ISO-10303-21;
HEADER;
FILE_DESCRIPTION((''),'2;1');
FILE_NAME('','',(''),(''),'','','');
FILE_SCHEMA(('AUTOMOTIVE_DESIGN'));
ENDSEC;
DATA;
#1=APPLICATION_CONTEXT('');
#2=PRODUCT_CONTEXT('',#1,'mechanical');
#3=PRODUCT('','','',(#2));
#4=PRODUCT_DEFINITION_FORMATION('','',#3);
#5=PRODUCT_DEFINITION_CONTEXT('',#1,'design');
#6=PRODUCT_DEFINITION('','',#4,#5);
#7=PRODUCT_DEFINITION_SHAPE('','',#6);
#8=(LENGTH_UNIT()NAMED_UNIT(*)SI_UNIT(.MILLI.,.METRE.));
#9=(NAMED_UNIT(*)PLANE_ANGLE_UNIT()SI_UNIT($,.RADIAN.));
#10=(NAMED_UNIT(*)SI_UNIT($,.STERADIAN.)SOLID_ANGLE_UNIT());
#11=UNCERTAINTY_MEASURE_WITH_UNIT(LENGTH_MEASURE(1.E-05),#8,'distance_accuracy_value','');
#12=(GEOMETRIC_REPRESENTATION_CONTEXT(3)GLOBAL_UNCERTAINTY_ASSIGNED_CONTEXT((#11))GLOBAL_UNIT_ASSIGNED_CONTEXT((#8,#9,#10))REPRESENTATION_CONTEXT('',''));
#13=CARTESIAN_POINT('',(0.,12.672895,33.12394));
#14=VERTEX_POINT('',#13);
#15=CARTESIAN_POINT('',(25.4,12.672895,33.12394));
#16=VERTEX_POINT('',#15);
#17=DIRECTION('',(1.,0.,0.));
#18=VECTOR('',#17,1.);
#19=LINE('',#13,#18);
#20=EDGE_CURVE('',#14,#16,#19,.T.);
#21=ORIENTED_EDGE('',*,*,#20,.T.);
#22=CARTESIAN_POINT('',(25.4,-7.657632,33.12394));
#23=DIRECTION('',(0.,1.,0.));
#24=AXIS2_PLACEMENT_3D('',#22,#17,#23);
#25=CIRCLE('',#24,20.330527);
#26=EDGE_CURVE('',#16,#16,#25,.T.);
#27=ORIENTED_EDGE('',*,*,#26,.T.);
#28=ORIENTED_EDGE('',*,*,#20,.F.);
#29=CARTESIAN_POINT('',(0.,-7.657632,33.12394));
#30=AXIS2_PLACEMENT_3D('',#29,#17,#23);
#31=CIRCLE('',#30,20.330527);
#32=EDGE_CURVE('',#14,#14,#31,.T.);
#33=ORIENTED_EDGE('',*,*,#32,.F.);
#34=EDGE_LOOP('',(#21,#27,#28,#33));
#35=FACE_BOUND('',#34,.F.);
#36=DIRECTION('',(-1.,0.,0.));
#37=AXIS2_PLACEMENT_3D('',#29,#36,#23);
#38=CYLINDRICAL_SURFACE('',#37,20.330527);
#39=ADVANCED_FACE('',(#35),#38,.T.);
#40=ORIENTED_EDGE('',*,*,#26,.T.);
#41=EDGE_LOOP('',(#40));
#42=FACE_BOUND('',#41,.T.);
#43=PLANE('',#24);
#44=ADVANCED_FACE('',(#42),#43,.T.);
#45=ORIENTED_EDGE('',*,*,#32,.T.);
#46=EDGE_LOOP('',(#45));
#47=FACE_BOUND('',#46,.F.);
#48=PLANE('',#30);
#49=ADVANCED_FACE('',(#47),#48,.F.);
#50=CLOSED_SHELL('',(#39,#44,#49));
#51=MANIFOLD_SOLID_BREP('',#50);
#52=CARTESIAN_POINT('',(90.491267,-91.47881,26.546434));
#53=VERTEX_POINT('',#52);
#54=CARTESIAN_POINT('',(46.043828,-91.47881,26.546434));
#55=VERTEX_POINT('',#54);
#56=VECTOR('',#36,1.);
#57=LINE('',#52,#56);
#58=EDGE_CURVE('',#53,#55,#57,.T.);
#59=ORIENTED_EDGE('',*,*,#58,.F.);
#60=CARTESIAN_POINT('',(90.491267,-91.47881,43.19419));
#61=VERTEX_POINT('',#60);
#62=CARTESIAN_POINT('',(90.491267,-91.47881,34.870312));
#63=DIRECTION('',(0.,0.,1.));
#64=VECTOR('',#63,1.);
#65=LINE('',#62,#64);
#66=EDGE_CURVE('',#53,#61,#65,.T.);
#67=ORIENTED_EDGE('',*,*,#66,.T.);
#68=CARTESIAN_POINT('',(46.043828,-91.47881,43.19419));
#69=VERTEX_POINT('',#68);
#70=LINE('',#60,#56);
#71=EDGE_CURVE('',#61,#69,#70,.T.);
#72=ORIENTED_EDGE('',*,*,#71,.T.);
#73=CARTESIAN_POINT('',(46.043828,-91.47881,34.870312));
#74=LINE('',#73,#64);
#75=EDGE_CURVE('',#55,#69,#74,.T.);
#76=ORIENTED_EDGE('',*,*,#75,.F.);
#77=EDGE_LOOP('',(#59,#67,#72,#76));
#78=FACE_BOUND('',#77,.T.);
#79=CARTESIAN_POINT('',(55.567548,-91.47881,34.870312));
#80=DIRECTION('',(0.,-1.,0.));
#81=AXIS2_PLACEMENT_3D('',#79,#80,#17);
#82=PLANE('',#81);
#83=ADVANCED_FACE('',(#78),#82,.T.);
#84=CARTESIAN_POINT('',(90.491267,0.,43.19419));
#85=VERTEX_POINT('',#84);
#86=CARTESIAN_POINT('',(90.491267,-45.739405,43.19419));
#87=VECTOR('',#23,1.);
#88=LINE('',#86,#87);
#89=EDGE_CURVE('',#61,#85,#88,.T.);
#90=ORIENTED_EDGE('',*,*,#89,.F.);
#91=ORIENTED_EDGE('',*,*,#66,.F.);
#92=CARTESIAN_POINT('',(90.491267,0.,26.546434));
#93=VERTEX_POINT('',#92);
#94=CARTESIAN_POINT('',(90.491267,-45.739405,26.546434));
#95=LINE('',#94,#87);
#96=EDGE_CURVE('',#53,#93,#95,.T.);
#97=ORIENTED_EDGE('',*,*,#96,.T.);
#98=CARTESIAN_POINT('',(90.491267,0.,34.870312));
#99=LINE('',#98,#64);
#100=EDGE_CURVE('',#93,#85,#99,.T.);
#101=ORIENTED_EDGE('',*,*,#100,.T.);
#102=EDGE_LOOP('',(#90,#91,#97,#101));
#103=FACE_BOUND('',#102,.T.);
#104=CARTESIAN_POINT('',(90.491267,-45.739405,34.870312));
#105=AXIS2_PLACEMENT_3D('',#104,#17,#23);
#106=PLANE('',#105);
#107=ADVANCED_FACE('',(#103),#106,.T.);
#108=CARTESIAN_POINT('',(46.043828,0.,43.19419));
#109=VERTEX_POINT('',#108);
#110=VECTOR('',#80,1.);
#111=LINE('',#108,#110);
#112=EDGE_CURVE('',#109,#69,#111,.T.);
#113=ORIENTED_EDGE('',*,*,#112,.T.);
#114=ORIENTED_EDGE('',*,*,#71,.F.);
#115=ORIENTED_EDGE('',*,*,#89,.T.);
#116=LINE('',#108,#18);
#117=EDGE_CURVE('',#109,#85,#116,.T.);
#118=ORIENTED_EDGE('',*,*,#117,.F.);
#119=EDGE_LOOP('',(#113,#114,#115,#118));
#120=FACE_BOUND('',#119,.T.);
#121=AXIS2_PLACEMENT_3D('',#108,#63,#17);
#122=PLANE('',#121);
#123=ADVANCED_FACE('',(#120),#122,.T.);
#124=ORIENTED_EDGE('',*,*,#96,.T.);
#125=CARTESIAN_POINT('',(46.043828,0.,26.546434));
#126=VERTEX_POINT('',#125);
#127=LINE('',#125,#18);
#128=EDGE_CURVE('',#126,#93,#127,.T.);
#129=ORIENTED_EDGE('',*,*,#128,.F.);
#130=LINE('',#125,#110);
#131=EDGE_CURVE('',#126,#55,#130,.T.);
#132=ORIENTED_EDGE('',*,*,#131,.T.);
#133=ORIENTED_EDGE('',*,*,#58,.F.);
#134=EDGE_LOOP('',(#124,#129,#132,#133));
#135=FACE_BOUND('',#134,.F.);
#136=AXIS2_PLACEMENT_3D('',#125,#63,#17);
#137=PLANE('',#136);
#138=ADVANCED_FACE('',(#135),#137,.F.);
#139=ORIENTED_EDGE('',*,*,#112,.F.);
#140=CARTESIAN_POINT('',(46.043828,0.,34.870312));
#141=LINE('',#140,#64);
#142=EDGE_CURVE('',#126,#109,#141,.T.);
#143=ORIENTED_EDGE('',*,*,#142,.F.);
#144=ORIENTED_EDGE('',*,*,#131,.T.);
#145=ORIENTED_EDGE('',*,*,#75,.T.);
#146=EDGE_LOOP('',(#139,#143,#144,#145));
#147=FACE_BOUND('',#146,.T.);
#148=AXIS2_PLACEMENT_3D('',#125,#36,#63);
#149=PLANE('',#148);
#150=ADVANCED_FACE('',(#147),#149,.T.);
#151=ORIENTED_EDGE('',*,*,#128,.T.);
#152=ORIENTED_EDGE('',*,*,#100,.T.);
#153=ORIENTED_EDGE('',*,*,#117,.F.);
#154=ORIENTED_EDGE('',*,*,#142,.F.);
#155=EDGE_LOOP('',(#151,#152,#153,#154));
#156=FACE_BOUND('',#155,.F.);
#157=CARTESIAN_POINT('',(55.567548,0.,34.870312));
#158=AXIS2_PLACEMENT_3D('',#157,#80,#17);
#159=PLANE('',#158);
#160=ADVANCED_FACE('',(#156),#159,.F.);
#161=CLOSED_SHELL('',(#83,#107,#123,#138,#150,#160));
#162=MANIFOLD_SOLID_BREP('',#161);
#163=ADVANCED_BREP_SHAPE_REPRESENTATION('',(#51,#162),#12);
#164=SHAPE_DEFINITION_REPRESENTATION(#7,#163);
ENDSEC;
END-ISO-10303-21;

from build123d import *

# Parameters (mm, degrees)
F0_W      = 19.047439
F0_H      = 16.647756
F1_DEPTH  = 91.47881
F2_R      = 20.330527
F1_FACE_W = 91.47881
F1_FACE_H = 16.647756
F3_DEPTH  = 25.4


with BuildPart() as f1:
    # F0 (on Front) → F1 (new body)
    with BuildSketch(Plane.XZ):
        with Locations((55.567548, 34.870312)):
            Rectangle(F0_W, F0_H)
    extrude(amount=F1_DEPTH)

    # F2 (on Right) + F1_face (on face) → F3 (join)
    with BuildSketch(Plane.YZ):
        with Locations((-7.657632, 33.12394)):
            Circle(F2_R)
    with BuildSketch(Plane(origin=(65.091267, -45.739405, 34.870312), x_dir=(0, 1, 0), z_dir=(1, 0, 0))):
        Rectangle(F1_FACE_W, F1_FACE_H)
    extrude(amount=F3_DEPTH)


solid = f1.part
